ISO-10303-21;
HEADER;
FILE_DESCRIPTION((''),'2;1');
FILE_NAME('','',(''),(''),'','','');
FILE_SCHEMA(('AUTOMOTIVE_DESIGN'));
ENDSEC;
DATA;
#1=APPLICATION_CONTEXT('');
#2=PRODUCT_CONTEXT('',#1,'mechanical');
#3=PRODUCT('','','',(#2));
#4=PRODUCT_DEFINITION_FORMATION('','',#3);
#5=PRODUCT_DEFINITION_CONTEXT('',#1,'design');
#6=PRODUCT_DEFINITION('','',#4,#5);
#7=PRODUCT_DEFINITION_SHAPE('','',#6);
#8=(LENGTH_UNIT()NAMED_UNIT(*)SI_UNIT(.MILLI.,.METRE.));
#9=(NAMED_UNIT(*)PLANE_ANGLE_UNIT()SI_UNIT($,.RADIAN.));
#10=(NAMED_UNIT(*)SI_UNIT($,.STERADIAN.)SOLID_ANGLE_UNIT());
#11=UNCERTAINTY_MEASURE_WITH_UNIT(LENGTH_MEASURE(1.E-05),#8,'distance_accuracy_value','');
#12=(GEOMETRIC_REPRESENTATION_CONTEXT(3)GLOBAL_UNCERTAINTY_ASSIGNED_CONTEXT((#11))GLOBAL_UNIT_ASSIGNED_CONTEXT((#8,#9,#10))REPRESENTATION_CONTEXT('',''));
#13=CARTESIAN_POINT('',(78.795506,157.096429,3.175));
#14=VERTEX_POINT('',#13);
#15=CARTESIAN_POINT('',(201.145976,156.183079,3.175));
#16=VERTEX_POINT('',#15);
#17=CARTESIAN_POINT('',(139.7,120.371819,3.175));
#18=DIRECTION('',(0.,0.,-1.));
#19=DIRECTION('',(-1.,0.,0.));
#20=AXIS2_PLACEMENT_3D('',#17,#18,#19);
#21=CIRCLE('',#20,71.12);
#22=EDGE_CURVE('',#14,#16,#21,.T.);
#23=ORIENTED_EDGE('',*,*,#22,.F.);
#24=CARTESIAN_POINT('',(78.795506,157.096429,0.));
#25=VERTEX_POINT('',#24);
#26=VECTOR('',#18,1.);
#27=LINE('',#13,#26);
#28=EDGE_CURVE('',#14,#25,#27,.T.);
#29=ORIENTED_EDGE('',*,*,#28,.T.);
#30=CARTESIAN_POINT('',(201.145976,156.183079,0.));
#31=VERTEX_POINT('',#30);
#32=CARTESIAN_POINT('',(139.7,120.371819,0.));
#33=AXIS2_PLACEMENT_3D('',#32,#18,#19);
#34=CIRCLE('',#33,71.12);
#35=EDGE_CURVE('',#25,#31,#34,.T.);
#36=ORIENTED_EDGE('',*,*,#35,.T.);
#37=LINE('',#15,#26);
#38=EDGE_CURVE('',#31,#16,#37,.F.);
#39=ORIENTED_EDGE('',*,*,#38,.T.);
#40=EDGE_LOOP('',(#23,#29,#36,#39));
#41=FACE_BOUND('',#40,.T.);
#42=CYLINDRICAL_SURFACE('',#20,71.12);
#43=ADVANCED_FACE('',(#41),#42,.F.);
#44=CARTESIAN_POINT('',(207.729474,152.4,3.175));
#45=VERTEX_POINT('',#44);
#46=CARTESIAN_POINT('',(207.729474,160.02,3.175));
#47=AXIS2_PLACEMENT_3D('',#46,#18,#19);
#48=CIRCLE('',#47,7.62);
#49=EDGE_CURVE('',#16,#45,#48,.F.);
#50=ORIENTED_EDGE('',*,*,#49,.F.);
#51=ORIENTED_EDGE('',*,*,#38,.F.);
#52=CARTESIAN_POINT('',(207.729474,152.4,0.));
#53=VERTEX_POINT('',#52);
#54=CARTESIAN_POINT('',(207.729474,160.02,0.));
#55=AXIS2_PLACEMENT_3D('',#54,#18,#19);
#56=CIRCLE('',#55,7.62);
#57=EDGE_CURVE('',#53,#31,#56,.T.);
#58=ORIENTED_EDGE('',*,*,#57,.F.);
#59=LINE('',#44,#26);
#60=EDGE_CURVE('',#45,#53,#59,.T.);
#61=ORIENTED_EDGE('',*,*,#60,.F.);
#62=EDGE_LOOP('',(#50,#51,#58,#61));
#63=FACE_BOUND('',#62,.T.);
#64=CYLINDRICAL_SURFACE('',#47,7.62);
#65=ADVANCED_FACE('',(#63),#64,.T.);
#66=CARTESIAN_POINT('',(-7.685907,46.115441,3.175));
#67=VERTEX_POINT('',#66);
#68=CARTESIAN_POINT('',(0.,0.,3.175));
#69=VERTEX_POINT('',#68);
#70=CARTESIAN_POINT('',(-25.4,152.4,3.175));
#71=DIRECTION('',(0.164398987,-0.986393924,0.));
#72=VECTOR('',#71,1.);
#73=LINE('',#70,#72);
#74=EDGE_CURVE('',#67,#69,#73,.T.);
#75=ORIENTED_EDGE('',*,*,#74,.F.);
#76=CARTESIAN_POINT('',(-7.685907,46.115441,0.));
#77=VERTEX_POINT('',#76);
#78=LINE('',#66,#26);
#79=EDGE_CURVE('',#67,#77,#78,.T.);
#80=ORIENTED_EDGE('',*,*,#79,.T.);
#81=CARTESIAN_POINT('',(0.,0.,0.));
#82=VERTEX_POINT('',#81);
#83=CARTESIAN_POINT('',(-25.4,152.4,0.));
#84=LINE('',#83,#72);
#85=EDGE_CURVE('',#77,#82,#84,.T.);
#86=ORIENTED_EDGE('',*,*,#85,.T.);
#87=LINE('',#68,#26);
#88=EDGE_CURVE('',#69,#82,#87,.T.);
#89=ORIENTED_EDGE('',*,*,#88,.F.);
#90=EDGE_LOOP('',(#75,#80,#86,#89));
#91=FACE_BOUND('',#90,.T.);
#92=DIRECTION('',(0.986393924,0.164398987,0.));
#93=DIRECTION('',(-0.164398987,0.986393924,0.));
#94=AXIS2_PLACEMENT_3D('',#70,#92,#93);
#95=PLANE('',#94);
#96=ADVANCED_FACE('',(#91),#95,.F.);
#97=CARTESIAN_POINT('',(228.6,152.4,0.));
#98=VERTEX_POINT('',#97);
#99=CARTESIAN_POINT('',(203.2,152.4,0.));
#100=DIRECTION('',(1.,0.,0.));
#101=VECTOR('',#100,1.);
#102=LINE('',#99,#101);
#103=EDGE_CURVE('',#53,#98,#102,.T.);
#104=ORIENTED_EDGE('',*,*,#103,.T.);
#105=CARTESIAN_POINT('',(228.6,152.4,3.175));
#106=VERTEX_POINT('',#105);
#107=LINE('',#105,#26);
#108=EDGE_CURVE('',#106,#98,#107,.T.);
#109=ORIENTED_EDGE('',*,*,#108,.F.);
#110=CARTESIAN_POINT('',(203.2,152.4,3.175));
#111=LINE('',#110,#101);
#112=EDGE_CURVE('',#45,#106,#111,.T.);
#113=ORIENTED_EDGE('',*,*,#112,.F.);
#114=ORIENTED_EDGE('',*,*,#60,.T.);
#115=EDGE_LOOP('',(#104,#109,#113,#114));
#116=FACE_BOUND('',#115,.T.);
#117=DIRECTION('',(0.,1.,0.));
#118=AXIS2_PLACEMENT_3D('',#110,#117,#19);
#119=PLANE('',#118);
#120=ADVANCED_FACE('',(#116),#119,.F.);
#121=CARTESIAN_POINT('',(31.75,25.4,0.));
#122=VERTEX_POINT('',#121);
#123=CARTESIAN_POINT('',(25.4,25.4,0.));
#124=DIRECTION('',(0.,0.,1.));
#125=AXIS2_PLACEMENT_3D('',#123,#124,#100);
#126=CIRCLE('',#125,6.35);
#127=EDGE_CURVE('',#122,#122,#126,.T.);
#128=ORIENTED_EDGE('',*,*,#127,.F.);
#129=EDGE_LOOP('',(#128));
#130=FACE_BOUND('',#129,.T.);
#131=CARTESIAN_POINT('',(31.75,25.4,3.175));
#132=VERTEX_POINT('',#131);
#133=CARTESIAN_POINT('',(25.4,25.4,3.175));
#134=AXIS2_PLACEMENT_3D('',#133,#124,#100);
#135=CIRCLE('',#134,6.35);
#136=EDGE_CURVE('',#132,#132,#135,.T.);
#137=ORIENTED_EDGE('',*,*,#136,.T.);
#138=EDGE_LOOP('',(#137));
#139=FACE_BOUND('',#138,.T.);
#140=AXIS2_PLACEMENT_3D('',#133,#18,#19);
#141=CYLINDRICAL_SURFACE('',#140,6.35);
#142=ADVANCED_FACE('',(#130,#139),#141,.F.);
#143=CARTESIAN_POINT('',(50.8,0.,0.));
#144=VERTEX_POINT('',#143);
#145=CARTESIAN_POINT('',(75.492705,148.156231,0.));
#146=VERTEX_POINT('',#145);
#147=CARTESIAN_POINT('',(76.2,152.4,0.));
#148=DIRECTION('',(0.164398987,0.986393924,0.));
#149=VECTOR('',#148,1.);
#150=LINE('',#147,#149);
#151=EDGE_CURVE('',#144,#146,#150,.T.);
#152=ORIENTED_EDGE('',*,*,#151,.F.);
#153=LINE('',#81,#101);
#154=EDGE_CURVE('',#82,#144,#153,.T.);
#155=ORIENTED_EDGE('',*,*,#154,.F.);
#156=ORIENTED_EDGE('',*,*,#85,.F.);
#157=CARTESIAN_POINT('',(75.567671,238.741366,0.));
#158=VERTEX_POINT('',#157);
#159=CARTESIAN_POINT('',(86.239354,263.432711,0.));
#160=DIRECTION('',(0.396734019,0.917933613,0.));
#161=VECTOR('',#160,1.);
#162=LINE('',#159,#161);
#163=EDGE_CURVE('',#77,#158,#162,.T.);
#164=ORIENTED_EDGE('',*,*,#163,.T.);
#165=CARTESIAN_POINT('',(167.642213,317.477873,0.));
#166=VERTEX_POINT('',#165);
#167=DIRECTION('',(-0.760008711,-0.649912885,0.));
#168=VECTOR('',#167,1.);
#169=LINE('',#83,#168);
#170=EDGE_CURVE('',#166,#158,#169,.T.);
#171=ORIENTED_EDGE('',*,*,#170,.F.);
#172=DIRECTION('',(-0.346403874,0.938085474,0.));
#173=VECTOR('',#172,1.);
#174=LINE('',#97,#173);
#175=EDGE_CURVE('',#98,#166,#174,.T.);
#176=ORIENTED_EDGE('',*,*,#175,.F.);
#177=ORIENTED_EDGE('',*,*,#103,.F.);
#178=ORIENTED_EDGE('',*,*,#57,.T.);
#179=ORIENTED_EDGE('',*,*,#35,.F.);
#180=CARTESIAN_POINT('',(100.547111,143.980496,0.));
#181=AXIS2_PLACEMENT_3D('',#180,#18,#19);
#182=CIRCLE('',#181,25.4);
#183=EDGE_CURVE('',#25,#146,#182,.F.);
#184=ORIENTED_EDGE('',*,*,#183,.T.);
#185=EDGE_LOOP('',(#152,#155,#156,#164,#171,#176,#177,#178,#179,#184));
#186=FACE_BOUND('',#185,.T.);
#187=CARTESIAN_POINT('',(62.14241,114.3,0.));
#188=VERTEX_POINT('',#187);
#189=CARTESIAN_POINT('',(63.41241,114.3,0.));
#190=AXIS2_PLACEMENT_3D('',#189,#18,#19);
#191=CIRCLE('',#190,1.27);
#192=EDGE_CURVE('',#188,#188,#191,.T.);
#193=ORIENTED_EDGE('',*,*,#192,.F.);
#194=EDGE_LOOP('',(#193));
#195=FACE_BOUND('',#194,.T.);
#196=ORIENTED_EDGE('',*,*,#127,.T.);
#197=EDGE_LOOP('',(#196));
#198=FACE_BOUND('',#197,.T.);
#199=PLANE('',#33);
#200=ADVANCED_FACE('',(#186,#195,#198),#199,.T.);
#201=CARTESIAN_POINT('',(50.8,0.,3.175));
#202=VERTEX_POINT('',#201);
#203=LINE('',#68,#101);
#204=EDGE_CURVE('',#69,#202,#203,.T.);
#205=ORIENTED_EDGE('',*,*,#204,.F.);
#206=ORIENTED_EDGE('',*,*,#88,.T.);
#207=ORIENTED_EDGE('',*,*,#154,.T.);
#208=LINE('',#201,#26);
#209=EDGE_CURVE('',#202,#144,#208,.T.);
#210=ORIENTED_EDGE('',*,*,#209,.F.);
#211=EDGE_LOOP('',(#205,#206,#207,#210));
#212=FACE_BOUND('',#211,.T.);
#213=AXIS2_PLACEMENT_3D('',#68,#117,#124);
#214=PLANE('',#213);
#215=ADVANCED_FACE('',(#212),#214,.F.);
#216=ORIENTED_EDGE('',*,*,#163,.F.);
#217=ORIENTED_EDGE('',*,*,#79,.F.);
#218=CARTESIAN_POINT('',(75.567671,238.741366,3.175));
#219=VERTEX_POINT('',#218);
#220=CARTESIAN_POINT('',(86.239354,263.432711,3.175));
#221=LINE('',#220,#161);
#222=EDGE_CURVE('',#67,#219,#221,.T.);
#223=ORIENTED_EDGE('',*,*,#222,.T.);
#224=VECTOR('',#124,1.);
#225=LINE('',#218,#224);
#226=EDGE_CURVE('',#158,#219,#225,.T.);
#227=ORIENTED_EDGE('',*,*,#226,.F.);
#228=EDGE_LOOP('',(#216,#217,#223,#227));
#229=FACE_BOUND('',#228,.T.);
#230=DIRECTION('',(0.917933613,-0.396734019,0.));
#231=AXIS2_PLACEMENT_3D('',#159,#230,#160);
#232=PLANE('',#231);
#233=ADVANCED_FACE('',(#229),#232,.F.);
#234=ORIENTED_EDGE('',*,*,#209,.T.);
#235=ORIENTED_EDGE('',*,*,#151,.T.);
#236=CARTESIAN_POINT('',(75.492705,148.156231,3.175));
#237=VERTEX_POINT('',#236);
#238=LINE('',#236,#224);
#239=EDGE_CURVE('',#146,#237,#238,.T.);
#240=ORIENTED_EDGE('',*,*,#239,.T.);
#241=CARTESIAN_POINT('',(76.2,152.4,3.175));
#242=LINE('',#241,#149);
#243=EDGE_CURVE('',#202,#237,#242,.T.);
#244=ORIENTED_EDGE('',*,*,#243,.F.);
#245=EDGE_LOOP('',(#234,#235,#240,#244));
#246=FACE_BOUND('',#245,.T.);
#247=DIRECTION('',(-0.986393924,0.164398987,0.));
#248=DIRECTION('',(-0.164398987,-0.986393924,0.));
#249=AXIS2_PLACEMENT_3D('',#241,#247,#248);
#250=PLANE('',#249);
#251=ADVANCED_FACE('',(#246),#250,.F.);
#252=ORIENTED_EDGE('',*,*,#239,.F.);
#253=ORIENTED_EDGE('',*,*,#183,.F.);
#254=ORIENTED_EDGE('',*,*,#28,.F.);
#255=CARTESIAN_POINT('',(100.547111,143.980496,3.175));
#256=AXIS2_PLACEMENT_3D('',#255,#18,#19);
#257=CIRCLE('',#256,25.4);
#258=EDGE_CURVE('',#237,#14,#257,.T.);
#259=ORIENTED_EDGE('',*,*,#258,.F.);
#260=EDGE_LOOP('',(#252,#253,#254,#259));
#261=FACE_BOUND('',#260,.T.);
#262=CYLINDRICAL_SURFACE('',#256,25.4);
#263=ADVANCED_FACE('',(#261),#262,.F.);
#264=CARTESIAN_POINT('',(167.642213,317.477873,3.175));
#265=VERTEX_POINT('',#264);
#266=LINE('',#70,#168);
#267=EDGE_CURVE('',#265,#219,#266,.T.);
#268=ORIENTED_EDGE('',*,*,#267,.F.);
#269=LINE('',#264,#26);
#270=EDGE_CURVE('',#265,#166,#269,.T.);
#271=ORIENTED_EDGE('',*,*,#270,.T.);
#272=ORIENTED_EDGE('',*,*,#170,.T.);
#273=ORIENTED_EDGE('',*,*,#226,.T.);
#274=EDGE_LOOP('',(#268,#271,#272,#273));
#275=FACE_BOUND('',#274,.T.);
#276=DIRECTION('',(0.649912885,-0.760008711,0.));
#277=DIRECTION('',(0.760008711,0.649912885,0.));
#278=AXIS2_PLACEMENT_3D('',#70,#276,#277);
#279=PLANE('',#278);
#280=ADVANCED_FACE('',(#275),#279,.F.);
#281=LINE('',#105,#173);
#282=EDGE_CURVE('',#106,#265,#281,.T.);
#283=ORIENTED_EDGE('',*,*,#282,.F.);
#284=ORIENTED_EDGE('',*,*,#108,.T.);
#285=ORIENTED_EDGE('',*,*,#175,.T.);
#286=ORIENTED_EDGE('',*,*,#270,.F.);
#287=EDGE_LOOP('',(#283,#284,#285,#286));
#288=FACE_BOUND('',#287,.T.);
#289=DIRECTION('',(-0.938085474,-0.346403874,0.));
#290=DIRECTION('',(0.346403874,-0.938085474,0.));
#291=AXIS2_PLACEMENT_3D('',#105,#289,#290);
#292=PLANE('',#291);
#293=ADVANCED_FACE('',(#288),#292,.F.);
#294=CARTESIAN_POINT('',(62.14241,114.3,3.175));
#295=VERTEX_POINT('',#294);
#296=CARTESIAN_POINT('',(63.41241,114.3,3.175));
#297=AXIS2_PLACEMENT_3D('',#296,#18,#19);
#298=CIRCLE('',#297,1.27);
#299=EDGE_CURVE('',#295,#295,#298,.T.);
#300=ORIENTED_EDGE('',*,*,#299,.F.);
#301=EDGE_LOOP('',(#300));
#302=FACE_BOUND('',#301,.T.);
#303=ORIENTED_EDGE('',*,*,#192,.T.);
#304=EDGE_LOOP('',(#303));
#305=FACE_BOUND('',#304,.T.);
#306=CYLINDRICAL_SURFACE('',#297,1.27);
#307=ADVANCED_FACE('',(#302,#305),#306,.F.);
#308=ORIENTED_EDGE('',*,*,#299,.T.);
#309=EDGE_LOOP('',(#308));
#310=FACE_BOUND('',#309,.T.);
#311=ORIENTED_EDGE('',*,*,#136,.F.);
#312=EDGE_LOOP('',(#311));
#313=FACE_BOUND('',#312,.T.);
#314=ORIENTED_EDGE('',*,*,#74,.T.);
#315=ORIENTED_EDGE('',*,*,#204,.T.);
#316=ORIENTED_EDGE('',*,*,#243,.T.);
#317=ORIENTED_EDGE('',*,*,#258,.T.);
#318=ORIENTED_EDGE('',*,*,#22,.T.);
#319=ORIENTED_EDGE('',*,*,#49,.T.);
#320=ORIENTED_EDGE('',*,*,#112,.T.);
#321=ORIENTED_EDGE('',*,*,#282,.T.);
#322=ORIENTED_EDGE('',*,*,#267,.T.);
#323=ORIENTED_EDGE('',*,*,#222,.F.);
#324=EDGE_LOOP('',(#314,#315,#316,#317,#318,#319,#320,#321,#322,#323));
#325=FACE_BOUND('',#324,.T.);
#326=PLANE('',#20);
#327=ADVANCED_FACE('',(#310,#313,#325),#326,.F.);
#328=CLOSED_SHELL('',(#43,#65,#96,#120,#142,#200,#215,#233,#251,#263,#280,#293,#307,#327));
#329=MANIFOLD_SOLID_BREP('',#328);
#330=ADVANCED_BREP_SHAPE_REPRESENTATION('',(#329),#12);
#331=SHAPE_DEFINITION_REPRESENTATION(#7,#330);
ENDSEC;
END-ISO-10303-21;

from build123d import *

# Parameters (mm, degrees)
SKETCH1_R           = 6.35
BOSS_EXTRUDE1_DEPTH = 3.175
CUT_EXTRUDE3_DEPTH  = 392.229140513
FILLET1_R           = 7.62
FILLET4_R           = 25.4
SKETCH5_R           = 1.27
CUT_EXTRUDE4_DEPTH  = 392.229140513


with BuildPart() as part:
    # Sketch1 → Boss-Extrude1 (new body)
    with BuildSketch(Plane.XY):
        with BuildLine():
            Line((0, 0), (50.8, 0))
            Line((50.8, 0), (76.2, 152.4))
            ThreePointArc((76.2, 152.4), (139.7, 191.491818659), (203.2, 152.4))
            Line((203.2, 152.4), (228.6, 152.4))
            Line((228.6, 152.4), (167.642212713, 317.477872869))
            Line((167.642212713, 317.477872869), (-25.4, 152.4))
            Line((-25.4, 152.4), (0, 0))
        make_face()
        with Locations((25.4, 25.4)):
            Circle(SKETCH1_R, mode=Mode.SUBTRACT)
    extrude(amount=BOSS_EXTRUDE1_DEPTH)

    # Sketch4 → Cut-Extrude3 (cut, through all)
    with BuildSketch(Plane.XY.offset(3.175)):
        Polygon((86.239354079, 263.432711485), (-16.185204596, 26.450399258), (-107.229256751, 193.810789249), align=None)
    extrude(amount=-CUT_EXTRUDE3_DEPTH, mode=Mode.SUBTRACT)

    # Fillet1
    fillet1_edges = [part.edges().sort_by_distance(p)[0] for p in [
        (203.2, 152.4, 1.5875),
    ]]
    fillet(fillet1_edges, radius=FILLET1_R)

    # Fillet4
    fillet4_edges = [part.edges().sort_by_distance(p)[0] for p in [
        (76.2, 152.4, 1.5875),
    ]]
    fillet(fillet4_edges, radius=FILLET4_R)

    # Sketch5 → Cut-Extrude4 (cut, through all)
    with BuildSketch(Plane(origin=(0, 0, 0), x_dir=(-1, 0, 0), z_dir=(0, 0, -1))):
        with Locations((-63.412409655, 114.3)):
            Circle(SKETCH5_R)
    extrude(amount=-CUT_EXTRUDE4_DEPTH, mode=Mode.SUBTRACT)


solid = part.part
